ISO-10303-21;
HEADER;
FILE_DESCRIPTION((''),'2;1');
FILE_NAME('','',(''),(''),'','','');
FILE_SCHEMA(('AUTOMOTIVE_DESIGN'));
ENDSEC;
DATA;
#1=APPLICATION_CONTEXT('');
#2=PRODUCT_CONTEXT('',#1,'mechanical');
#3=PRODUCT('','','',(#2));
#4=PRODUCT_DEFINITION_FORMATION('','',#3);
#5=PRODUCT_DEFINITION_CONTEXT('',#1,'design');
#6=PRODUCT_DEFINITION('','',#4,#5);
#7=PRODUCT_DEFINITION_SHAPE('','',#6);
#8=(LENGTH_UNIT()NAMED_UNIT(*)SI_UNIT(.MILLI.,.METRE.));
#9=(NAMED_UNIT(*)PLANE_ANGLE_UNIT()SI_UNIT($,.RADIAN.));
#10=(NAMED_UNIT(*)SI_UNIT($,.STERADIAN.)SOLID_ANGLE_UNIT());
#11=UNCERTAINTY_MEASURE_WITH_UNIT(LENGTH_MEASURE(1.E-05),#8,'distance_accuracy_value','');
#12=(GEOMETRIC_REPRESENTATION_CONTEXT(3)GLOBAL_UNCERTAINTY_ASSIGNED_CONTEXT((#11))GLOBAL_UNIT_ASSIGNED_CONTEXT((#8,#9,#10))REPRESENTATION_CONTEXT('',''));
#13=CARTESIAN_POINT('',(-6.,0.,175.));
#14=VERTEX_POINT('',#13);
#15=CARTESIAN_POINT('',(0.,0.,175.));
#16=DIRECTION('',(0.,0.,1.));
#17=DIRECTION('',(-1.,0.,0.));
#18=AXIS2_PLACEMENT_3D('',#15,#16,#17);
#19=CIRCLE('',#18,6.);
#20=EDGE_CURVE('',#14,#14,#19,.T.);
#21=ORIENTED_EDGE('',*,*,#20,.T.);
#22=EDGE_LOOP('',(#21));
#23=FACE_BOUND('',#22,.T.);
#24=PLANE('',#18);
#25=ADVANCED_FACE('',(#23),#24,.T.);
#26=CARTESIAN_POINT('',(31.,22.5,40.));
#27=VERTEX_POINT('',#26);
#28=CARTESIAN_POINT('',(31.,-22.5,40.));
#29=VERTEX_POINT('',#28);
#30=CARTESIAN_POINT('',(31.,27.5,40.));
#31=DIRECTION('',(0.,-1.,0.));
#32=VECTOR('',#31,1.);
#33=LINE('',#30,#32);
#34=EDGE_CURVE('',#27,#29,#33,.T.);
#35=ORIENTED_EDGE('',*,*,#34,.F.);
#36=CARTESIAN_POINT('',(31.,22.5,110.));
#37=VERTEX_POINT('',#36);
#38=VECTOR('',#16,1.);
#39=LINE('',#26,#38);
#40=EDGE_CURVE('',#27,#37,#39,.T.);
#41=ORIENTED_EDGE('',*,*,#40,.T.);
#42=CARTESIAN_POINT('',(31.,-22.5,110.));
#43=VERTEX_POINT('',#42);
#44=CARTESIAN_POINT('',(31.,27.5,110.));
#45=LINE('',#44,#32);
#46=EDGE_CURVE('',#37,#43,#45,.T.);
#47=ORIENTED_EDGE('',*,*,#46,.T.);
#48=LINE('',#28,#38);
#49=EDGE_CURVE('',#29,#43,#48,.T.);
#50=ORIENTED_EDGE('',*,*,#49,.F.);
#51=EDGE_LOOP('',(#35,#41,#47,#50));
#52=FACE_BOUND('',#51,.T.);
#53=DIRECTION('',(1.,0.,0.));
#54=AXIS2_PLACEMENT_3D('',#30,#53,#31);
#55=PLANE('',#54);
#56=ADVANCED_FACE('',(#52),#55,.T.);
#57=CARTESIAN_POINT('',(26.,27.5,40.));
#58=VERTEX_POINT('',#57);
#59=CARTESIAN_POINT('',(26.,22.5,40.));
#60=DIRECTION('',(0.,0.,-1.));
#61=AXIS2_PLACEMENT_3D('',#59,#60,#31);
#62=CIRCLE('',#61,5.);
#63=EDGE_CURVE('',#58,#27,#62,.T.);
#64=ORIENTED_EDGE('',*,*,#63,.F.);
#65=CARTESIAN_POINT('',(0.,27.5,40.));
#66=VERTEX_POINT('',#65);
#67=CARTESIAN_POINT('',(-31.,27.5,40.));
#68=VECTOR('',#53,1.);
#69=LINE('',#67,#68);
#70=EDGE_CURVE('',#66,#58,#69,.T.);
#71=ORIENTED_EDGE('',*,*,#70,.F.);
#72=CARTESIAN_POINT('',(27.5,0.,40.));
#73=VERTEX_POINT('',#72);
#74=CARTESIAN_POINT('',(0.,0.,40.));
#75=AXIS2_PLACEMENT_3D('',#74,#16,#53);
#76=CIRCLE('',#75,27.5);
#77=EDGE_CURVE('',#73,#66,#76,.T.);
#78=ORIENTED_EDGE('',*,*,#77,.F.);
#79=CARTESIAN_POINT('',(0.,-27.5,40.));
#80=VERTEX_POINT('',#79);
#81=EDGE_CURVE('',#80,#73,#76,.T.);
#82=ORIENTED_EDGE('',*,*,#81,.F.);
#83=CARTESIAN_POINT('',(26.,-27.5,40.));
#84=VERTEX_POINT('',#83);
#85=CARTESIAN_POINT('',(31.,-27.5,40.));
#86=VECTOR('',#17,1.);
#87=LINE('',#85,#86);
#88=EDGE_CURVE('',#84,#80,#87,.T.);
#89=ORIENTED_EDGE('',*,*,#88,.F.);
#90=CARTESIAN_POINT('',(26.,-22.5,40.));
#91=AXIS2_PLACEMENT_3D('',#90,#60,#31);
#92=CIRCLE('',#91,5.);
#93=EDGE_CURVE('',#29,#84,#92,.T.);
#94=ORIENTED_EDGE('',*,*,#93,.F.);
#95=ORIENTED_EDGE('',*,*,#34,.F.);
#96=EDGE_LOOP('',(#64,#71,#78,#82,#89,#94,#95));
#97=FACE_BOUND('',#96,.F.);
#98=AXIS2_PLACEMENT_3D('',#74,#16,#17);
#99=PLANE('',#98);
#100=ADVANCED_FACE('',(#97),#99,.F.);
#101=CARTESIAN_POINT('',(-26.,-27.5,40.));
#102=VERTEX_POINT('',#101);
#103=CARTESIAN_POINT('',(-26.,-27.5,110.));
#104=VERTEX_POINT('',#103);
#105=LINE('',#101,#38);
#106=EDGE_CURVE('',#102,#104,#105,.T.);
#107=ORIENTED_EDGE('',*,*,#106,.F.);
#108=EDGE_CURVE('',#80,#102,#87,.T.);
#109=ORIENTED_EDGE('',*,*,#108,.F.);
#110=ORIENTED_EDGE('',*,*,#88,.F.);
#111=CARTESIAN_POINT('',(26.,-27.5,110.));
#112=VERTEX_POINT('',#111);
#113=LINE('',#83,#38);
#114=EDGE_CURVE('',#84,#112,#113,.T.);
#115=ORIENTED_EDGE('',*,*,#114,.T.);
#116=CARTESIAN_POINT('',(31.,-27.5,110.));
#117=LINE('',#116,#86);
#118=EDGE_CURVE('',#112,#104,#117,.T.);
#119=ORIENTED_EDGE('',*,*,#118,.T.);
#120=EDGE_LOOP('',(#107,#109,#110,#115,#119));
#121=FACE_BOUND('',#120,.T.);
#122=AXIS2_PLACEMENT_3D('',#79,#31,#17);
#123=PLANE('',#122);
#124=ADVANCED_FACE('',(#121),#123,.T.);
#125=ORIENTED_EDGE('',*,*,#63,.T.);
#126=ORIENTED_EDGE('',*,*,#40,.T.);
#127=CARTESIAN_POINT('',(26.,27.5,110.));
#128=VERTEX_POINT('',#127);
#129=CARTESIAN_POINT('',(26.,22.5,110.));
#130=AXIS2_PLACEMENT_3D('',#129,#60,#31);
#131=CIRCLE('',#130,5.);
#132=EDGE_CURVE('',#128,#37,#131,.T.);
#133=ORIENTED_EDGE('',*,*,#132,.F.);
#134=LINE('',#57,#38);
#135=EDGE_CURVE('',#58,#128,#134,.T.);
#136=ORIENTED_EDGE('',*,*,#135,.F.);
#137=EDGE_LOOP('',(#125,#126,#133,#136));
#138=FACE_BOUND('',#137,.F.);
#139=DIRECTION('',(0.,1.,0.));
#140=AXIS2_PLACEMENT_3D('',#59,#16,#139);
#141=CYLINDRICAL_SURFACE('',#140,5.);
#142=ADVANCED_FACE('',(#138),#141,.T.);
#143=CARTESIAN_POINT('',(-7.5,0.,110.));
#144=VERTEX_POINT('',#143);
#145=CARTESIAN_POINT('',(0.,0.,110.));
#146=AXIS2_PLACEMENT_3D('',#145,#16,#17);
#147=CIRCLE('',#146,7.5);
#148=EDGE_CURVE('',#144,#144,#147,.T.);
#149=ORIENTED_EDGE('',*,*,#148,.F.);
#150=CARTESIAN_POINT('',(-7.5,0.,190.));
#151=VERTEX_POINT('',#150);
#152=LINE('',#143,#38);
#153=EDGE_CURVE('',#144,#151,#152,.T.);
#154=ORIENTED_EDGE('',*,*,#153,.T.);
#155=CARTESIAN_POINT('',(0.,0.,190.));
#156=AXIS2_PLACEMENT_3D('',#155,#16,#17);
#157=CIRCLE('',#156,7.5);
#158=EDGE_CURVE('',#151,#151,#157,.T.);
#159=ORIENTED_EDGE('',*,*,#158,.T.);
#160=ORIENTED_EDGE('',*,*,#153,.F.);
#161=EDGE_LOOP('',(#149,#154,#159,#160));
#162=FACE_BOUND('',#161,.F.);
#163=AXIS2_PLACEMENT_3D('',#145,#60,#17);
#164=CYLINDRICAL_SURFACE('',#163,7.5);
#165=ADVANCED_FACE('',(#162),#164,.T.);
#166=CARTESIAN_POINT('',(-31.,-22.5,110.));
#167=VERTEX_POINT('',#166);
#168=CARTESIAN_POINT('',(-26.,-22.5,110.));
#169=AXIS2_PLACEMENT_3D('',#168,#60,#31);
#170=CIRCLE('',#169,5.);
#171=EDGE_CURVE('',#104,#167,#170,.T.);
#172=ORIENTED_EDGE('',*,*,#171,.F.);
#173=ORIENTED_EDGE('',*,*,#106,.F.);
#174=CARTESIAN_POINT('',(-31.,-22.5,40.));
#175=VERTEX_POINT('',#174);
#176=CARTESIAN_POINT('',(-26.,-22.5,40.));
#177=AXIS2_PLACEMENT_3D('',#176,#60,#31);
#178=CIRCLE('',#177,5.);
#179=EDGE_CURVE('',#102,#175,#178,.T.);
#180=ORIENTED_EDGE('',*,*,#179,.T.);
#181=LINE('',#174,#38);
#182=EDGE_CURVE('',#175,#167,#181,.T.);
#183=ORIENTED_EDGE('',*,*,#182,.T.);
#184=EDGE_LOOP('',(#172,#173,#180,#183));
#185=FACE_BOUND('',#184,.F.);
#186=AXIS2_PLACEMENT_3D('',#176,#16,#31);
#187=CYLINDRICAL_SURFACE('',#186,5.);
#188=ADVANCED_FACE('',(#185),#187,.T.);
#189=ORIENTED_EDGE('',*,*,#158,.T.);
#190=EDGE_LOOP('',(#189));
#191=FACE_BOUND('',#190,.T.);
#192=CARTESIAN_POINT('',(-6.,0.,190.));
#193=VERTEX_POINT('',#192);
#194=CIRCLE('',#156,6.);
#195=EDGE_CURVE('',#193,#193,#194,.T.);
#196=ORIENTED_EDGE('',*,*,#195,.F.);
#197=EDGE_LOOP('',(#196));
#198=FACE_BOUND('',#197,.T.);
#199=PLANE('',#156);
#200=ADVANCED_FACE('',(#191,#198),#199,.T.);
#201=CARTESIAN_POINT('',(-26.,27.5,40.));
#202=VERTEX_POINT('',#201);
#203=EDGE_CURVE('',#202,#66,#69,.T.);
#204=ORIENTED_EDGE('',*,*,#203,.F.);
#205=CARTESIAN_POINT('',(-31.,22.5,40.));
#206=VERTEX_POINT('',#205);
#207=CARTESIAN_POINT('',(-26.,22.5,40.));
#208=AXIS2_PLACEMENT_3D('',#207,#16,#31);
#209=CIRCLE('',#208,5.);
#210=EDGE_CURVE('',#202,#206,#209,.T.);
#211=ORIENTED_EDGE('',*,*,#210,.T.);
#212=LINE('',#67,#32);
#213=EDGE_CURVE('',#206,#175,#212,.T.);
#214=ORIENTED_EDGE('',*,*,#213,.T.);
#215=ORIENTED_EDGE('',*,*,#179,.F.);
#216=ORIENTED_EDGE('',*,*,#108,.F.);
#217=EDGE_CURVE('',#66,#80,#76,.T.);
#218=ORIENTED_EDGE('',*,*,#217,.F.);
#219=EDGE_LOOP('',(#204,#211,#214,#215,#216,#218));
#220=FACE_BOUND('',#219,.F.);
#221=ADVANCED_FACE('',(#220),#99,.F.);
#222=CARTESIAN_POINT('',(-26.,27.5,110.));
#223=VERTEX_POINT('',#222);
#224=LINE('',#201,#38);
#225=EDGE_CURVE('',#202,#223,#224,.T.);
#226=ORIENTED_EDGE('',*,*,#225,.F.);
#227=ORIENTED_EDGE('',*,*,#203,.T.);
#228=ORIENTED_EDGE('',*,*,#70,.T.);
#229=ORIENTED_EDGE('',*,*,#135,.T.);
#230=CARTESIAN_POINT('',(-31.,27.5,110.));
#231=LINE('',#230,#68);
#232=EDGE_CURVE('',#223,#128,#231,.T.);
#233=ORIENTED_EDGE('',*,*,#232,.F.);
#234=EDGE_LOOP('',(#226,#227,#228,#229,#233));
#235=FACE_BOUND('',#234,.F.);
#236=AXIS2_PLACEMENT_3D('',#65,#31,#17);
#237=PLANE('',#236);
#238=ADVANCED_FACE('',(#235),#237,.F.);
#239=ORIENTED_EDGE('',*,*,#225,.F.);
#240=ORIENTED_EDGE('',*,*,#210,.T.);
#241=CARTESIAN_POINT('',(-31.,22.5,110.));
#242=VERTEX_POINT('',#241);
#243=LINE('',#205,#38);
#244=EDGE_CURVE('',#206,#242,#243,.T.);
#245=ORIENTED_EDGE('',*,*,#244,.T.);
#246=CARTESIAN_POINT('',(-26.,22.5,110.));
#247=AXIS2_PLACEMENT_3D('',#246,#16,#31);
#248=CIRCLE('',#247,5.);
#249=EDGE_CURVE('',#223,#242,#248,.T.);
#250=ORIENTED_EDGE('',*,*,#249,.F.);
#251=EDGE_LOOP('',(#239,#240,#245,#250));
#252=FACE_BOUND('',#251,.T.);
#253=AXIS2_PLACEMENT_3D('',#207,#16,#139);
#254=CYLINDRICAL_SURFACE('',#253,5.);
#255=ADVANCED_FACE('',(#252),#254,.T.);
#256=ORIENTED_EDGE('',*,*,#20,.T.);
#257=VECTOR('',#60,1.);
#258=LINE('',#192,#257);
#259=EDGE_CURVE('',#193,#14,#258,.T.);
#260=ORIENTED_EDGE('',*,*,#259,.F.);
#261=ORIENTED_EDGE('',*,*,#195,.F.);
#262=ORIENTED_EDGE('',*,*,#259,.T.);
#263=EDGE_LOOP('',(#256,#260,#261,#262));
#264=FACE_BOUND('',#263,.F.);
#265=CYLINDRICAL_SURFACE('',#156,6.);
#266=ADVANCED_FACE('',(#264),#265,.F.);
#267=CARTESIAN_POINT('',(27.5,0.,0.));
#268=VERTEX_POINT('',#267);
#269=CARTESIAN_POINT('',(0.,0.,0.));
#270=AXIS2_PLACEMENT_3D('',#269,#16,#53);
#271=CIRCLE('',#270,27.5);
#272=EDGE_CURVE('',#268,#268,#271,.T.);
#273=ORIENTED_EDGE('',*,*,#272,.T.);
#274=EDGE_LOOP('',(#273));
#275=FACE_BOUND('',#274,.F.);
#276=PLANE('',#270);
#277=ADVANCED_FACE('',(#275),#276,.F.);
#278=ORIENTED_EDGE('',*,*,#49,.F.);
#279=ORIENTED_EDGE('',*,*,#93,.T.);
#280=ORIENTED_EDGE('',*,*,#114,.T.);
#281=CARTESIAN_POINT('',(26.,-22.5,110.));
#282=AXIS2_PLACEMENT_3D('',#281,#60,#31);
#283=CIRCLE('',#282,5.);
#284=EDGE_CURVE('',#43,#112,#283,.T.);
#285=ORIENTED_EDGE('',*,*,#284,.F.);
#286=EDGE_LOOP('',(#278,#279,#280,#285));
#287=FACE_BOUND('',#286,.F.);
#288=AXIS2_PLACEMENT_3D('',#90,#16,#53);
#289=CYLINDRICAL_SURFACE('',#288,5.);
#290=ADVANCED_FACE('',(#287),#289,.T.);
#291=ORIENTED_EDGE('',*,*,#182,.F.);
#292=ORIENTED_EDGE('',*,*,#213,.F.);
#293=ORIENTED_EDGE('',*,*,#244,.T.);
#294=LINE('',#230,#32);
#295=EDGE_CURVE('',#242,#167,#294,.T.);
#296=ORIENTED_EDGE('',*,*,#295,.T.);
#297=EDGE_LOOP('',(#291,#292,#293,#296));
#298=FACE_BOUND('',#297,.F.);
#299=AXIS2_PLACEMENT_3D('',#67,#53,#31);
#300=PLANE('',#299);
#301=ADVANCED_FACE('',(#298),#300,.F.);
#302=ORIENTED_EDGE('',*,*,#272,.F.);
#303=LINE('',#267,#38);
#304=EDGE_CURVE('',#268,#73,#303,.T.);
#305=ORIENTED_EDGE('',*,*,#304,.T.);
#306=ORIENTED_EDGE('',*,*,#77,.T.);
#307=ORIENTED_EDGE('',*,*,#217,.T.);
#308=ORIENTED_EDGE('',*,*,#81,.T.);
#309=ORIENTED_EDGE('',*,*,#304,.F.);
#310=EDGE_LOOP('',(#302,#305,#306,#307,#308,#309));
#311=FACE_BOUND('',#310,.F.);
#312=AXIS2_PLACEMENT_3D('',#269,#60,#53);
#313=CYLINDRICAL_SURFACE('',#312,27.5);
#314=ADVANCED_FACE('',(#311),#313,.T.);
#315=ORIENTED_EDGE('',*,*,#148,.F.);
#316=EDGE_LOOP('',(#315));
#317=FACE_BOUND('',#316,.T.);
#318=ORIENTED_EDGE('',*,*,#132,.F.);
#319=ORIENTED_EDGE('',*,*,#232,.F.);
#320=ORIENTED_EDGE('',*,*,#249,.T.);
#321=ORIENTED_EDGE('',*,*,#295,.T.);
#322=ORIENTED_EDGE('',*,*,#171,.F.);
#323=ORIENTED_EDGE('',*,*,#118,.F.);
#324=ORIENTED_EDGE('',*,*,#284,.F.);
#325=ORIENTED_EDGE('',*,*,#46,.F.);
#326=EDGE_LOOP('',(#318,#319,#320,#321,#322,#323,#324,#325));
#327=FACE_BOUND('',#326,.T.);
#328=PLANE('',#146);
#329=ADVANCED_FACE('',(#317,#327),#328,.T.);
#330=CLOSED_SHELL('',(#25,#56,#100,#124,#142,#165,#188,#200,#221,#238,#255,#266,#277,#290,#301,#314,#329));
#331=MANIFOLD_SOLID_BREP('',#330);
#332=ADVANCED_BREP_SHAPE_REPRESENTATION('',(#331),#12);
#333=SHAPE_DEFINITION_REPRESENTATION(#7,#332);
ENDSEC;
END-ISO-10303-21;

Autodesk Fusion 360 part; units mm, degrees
sketch "Sketch1" plane through (0, 0, 0) normal (0, 0, 1) x (1, 0, 0)
  circle A0 centre (0, 0) radius 27.5
  dimension "d1" = 55
extrude "Extrude1" add sketch "Sketch1" along normal blind 40
sketch "Sketch2" plane through (0, 0, 40) normal (0, 0, 1) x (-1, 0, 0)
  circle A0 centre (0, 0) radius 27.5
  line L0 (0, -27.5) -> (-31, -27.5)
  line L1 (-31, -27.5) -> (-31, 40.6198)
  line L2 (0, 27.5) -> (-33.618, 27.5)
  line L3 (0, -27.5) -> (31, -27.5)
  line L4 (31, -27.5) -> (31, 43)
  line L5 (0, 27.5) -> (37, 27.5)
  dimension "d4" = 90
  dimension "d5" = 31
extrude "Extrude2" add sketch "Sketch2" along normal blind 70
sketch "Sketch3" plane through (0, 0, 110) normal (0, 0, 1) x (-1, 0, 0)
  line L0 (-31, -27.5) -> (31, -27.5)
  line L1 (31, -27.5) -> (31, 27.5)
  line L2 (31, 27.5) -> (-31, 27.5)
  line L3 (-31, 27.5) -> (-31, -27.5)
  circle A0 centre (0, 0) radius 7.5
  dimension "d8" = 15
extrude "Extrude3" add sketch "Sketch3" along normal blind 80 contours A0
sketch "Sketch4" plane through (0, 0, 0) normal (0, 1, 0) x (1, 0, 0)
sketch "Sketch5" plane through (0, 0, 190) normal (0, 0, 1) x (-1, 0, 0)
  circle A0 centre (0, 0) radius 7.5
  circle A1 centre (0, 0) radius 6
  dimension "d14" = 12
extrude "Extrude4" cut sketch "Sketch5" against normal blind 15 contours A1
fillet "Fillet2" radius 5 4 edges at (-31, -27.5, 75) (31, -27.5, 75) (31, 27.5, 75) (-31, 27.5, 75)
